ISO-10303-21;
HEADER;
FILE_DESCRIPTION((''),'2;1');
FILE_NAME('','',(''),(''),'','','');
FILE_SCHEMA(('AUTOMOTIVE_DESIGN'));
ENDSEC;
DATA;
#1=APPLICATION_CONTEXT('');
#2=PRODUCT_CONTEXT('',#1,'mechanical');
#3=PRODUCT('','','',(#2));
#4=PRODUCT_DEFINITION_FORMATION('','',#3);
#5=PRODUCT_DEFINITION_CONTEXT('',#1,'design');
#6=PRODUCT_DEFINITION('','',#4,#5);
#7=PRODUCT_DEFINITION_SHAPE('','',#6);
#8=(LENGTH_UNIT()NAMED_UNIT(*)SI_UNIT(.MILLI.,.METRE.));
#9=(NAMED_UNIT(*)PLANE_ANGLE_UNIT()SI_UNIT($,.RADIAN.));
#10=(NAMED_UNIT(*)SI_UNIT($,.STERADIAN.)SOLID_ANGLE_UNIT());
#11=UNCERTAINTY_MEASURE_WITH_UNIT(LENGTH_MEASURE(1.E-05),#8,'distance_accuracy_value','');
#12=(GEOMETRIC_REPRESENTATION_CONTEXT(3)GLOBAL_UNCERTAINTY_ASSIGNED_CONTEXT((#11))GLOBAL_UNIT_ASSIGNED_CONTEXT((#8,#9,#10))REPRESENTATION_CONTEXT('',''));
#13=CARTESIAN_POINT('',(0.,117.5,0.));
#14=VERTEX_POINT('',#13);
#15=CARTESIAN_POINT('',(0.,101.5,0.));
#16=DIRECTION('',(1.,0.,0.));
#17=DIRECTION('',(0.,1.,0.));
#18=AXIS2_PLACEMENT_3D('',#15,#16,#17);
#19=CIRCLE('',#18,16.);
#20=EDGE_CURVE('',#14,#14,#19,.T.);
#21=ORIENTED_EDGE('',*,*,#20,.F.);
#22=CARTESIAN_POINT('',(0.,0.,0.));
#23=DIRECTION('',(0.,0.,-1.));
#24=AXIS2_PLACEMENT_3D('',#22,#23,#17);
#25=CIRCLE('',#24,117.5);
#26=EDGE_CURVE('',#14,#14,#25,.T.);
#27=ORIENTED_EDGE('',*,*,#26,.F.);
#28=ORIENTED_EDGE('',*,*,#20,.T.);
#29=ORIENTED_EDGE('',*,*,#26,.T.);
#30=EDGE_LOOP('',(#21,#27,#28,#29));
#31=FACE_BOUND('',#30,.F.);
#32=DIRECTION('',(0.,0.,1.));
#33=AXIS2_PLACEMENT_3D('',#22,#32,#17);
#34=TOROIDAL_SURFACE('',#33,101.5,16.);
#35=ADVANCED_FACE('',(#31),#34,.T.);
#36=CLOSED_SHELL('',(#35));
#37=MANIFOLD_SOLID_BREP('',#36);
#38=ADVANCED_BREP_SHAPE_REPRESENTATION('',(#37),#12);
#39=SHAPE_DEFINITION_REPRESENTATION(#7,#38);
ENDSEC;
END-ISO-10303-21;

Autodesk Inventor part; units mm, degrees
ref_plane "YZ Plane" through (0, 0, 0) normal (1, 0, 0) x (0, 1, 0)
ref_plane "XZ Plane" through (0, 0, 0) normal (0, 1, 0) x (-1, 0, 0)
ref_plane "XY Plane" through (0, 0, 0) normal (0, 0, 1) x (1, 0, 0)
sketch "Sketch1" plane through (0, 0, 0) normal (1, 0, 0) x (0, 1, 0)
  circle A0 centre (101.5, 0) radius 16
  line L0 (0, 22.4) -> (0, -22.4) projected
  point P0 (0, 0)
  point P1 (117.5, 0)
  dimension "d0" = 32
  dimension "d1" = 235
revolve "Revolution1" add sketch "Sketch1" angle 360 about axis through (0, 0, 0) along (0, 0, -1)
ref_plane "Work Plane1" through (0, -85.5, 0) normal (0, 1, 0) x (-1, 0, 0)
properties part number "ring" material "Wood (Cherry)"
